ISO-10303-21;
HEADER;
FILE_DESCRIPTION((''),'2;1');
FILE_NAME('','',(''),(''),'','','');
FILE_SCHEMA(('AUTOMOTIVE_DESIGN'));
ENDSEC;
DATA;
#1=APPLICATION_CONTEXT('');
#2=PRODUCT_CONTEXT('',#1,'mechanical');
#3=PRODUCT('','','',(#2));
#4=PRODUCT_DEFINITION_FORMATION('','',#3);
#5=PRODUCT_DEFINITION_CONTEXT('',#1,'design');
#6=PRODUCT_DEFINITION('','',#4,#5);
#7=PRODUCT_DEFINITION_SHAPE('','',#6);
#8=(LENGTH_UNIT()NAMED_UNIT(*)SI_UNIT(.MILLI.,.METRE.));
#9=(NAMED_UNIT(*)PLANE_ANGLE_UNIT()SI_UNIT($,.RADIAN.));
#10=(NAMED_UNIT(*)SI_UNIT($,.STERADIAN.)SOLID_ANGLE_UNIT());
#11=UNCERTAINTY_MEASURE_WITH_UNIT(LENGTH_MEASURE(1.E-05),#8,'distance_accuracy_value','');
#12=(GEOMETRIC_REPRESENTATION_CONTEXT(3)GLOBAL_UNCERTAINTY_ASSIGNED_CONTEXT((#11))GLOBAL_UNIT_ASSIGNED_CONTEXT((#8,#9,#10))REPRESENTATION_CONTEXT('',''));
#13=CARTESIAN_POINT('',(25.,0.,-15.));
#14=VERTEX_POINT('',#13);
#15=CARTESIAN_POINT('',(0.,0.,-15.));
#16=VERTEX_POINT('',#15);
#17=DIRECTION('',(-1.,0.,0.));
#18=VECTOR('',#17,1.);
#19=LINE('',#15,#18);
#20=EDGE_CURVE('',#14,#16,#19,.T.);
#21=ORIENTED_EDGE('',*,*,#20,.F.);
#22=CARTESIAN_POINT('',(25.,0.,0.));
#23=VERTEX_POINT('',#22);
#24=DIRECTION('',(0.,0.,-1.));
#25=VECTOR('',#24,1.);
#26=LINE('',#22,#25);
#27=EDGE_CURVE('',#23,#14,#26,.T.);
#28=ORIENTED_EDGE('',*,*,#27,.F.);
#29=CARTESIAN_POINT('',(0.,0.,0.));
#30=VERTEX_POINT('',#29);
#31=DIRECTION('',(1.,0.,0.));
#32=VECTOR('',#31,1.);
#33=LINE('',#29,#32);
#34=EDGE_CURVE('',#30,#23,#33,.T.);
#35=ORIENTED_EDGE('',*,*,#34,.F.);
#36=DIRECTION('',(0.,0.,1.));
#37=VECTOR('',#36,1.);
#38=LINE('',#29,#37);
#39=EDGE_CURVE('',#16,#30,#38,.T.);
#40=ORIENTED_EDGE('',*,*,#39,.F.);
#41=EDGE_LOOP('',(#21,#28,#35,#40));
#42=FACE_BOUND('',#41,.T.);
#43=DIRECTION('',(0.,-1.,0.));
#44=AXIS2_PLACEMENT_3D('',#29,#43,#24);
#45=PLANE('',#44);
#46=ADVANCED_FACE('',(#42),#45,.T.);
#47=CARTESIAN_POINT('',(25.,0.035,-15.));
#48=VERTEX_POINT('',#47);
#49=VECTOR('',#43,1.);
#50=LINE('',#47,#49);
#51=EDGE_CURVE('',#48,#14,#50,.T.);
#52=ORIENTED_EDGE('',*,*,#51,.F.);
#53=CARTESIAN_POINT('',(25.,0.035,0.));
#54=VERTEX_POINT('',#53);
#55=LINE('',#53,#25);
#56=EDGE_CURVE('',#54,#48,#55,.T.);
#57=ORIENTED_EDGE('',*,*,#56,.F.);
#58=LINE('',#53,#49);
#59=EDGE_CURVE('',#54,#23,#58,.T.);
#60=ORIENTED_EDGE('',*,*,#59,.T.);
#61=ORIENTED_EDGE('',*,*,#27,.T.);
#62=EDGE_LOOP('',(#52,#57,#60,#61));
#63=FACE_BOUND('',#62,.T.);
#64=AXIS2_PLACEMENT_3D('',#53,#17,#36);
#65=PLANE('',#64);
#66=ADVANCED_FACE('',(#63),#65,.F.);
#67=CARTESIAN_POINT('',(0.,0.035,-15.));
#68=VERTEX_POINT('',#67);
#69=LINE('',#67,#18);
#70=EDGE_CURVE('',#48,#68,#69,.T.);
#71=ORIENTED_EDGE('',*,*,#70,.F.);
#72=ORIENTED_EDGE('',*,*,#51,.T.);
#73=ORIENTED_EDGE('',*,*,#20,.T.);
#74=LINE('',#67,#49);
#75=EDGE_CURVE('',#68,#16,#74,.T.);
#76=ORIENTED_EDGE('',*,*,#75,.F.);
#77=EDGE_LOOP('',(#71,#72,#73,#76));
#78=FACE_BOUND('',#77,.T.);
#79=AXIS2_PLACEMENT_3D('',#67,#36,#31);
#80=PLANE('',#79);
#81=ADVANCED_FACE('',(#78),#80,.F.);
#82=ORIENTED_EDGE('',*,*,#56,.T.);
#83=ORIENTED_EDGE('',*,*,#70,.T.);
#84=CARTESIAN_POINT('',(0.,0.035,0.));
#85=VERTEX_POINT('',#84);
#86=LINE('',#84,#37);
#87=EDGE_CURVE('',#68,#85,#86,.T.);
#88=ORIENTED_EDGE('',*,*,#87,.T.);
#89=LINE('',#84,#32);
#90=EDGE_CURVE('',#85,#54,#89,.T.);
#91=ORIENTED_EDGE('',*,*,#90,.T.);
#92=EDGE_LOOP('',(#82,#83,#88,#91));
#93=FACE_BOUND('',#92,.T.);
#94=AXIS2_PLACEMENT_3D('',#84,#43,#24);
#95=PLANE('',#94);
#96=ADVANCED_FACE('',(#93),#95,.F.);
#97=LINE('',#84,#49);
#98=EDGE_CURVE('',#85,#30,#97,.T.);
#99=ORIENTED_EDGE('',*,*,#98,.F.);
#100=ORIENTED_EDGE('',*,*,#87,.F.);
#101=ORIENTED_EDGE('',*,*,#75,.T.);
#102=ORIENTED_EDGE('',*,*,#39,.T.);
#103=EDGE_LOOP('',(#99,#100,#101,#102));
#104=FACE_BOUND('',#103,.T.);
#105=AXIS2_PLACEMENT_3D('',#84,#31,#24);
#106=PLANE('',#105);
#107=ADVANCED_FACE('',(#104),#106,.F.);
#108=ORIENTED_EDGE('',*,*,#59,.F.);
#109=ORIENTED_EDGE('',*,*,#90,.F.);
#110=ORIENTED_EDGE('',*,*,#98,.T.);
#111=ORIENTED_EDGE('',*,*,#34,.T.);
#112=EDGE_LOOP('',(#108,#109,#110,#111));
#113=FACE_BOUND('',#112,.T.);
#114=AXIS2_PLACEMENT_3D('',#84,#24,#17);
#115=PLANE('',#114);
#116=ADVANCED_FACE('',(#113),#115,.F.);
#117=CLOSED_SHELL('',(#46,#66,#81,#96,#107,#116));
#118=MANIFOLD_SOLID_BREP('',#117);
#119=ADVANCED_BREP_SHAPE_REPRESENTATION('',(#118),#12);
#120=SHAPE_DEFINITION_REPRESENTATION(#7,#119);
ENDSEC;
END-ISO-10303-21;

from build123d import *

# Parameters (mm, degrees)
SKETCH1_W           = 25
SKETCH1_H           = 15
BOSS_EXTRUDE1_DEPTH = 0.035


with BuildPart() as part:
    # Sketch1 → Boss-Extrude1 (new body)
    with BuildSketch(Plane(origin=(0, 0, 0), x_dir=(1, 0, 0), z_dir=(0, 1, 0))):
        with Locations((12.5, 7.5)):
            Rectangle(SKETCH1_W, SKETCH1_H)
    extrude(amount=BOSS_EXTRUDE1_DEPTH)


solid = part.part
